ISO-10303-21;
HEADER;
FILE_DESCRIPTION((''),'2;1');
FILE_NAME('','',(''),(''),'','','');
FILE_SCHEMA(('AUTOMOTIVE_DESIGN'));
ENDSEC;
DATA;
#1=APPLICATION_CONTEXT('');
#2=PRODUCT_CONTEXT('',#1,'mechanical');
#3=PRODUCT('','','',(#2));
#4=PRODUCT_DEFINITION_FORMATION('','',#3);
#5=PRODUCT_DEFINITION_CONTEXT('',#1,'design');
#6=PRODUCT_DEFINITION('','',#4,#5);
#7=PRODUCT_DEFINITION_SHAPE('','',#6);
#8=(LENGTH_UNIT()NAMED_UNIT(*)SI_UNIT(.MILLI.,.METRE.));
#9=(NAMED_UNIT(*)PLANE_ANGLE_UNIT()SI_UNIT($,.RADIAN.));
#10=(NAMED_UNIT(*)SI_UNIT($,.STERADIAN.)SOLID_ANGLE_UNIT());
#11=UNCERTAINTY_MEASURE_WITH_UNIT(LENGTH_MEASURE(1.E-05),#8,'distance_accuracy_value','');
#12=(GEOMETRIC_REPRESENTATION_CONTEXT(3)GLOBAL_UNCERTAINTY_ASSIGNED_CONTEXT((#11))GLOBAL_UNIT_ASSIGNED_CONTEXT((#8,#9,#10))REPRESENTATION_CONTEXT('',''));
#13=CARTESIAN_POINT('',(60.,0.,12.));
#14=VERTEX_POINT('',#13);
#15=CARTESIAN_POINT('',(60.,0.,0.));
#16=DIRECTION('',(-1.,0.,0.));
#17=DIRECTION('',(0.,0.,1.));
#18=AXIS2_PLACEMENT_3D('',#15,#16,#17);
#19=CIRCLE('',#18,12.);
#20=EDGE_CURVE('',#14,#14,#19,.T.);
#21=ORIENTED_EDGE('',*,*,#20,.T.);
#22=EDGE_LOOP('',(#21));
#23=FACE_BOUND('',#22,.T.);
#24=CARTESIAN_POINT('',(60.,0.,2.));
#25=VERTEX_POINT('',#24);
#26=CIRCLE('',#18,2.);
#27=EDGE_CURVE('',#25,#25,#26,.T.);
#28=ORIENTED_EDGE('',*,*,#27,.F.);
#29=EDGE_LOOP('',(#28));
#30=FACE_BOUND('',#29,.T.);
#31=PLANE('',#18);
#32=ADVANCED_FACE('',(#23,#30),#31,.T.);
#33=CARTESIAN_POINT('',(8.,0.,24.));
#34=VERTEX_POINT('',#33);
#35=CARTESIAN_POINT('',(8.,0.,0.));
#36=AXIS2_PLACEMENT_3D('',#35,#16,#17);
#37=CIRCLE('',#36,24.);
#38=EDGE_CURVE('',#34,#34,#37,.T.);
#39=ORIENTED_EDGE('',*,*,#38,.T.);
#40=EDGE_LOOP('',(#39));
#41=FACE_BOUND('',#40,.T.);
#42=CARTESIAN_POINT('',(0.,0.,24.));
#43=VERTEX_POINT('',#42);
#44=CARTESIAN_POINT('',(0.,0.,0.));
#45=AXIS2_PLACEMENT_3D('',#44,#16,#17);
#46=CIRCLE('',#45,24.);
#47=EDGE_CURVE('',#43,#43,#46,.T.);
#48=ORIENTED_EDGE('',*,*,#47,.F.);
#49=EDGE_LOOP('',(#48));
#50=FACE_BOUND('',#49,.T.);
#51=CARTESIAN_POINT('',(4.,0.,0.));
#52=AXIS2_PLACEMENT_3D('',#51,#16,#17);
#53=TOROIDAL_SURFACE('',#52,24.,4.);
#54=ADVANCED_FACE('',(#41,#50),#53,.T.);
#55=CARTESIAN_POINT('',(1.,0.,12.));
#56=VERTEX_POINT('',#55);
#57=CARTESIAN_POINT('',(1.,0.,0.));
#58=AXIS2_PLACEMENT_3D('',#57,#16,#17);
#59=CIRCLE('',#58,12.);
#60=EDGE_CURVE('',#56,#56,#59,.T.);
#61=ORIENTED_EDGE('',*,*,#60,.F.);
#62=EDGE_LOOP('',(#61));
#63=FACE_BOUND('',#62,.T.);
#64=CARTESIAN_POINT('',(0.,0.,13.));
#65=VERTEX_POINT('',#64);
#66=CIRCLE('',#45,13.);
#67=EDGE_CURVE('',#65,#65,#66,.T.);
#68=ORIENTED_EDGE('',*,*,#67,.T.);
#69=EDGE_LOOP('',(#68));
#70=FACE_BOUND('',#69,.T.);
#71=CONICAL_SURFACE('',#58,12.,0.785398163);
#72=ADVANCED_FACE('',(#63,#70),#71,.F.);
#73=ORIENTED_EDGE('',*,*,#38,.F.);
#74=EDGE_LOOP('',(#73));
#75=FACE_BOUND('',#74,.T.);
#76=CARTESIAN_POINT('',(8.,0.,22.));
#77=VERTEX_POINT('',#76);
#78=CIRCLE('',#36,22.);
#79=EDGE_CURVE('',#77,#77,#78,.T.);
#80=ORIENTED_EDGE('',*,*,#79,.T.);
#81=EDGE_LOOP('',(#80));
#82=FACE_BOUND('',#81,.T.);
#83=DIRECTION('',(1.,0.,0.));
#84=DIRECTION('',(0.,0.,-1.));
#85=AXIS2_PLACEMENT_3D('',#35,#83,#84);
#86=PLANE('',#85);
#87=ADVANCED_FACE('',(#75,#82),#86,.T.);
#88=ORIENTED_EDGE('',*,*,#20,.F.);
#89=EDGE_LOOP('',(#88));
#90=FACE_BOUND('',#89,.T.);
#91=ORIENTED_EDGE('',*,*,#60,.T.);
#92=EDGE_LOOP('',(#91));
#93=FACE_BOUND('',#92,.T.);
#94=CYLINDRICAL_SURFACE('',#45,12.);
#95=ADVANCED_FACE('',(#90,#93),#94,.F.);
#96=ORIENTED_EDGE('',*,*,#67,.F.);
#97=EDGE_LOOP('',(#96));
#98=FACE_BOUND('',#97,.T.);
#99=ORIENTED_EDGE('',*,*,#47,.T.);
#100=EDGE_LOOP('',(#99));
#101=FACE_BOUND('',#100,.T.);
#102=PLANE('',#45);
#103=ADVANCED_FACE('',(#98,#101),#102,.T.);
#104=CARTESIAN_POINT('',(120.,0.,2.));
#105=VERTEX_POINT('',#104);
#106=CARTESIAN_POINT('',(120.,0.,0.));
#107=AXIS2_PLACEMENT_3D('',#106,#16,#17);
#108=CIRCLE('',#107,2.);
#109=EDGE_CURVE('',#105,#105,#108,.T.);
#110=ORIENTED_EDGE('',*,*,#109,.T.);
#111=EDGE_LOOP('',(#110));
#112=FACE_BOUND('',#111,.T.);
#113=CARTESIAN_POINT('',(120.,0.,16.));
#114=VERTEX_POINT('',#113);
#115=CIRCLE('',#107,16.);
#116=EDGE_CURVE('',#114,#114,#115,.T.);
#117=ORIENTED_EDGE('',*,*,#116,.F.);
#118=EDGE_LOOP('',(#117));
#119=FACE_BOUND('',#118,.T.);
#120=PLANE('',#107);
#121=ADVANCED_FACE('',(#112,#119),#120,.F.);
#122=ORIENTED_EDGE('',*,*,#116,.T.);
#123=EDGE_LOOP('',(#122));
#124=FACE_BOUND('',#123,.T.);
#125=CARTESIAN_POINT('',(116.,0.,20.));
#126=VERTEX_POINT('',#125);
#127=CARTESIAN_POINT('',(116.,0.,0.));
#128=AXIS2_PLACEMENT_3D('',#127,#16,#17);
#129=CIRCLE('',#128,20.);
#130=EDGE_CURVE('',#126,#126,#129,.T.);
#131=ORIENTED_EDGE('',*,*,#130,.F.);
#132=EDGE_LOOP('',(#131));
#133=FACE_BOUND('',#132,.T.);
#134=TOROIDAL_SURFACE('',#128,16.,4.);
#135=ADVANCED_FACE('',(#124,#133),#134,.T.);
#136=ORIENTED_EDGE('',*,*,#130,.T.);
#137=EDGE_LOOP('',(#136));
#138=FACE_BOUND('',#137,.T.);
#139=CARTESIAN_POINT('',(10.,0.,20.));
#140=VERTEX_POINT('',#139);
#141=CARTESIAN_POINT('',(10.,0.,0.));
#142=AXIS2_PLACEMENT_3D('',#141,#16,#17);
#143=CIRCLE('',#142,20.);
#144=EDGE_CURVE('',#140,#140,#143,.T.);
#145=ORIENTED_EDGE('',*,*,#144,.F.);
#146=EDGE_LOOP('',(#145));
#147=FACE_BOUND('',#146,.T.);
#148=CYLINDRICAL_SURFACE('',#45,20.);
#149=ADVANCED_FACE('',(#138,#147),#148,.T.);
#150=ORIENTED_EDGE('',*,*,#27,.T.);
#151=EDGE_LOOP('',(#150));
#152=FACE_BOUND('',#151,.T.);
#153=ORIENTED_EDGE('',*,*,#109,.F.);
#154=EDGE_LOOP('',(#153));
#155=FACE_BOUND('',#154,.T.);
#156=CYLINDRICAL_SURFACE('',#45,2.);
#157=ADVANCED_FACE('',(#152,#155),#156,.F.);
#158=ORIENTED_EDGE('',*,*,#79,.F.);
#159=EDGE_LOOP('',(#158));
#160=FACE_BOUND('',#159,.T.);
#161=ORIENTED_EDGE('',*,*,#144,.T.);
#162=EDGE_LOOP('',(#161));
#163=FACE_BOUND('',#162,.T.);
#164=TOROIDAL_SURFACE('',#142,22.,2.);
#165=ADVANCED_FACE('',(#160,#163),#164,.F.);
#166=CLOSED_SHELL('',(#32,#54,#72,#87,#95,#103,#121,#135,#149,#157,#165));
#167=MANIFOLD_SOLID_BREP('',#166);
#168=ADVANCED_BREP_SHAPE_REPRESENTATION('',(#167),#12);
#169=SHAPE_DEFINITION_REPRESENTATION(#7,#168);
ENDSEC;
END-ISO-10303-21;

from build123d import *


with BuildPart() as part:
    # 草图1 → 旋转1 (revolve)
    with BuildSketch(Plane.XY, mode=Mode.PRIVATE) as revolve_1_sk:
        with BuildLine():
            Line((0, 13), (0, 24))
            ThreePointArc((0, 24), (4, 28), (8, 24))
            Line((8, 24), (8, 22))
            ThreePointArc((8, 22), (8.585786438, 20.585786438), (10, 20))
            Line((10, 20), (116, 20))
            ThreePointArc((116, 20), (118.828427125, 18.828427125), (120, 16))
            Line((120, 16), (120, 2))
            Line((120, 2), (117, 2))
            Line((117, 2), (60, 2))
            Line((60, 2), (60, 12))
            Line((60, 12), (1, 12))
            Line((1, 12), (0, 13))
        make_face()
    revolve(revolve_1_sk.sketch.rotate(Axis((0, 0, 0), (1, 0, 0)), 90), axis=Axis((0, 0, 0), (1, 0, 0)))


solid = part.part
